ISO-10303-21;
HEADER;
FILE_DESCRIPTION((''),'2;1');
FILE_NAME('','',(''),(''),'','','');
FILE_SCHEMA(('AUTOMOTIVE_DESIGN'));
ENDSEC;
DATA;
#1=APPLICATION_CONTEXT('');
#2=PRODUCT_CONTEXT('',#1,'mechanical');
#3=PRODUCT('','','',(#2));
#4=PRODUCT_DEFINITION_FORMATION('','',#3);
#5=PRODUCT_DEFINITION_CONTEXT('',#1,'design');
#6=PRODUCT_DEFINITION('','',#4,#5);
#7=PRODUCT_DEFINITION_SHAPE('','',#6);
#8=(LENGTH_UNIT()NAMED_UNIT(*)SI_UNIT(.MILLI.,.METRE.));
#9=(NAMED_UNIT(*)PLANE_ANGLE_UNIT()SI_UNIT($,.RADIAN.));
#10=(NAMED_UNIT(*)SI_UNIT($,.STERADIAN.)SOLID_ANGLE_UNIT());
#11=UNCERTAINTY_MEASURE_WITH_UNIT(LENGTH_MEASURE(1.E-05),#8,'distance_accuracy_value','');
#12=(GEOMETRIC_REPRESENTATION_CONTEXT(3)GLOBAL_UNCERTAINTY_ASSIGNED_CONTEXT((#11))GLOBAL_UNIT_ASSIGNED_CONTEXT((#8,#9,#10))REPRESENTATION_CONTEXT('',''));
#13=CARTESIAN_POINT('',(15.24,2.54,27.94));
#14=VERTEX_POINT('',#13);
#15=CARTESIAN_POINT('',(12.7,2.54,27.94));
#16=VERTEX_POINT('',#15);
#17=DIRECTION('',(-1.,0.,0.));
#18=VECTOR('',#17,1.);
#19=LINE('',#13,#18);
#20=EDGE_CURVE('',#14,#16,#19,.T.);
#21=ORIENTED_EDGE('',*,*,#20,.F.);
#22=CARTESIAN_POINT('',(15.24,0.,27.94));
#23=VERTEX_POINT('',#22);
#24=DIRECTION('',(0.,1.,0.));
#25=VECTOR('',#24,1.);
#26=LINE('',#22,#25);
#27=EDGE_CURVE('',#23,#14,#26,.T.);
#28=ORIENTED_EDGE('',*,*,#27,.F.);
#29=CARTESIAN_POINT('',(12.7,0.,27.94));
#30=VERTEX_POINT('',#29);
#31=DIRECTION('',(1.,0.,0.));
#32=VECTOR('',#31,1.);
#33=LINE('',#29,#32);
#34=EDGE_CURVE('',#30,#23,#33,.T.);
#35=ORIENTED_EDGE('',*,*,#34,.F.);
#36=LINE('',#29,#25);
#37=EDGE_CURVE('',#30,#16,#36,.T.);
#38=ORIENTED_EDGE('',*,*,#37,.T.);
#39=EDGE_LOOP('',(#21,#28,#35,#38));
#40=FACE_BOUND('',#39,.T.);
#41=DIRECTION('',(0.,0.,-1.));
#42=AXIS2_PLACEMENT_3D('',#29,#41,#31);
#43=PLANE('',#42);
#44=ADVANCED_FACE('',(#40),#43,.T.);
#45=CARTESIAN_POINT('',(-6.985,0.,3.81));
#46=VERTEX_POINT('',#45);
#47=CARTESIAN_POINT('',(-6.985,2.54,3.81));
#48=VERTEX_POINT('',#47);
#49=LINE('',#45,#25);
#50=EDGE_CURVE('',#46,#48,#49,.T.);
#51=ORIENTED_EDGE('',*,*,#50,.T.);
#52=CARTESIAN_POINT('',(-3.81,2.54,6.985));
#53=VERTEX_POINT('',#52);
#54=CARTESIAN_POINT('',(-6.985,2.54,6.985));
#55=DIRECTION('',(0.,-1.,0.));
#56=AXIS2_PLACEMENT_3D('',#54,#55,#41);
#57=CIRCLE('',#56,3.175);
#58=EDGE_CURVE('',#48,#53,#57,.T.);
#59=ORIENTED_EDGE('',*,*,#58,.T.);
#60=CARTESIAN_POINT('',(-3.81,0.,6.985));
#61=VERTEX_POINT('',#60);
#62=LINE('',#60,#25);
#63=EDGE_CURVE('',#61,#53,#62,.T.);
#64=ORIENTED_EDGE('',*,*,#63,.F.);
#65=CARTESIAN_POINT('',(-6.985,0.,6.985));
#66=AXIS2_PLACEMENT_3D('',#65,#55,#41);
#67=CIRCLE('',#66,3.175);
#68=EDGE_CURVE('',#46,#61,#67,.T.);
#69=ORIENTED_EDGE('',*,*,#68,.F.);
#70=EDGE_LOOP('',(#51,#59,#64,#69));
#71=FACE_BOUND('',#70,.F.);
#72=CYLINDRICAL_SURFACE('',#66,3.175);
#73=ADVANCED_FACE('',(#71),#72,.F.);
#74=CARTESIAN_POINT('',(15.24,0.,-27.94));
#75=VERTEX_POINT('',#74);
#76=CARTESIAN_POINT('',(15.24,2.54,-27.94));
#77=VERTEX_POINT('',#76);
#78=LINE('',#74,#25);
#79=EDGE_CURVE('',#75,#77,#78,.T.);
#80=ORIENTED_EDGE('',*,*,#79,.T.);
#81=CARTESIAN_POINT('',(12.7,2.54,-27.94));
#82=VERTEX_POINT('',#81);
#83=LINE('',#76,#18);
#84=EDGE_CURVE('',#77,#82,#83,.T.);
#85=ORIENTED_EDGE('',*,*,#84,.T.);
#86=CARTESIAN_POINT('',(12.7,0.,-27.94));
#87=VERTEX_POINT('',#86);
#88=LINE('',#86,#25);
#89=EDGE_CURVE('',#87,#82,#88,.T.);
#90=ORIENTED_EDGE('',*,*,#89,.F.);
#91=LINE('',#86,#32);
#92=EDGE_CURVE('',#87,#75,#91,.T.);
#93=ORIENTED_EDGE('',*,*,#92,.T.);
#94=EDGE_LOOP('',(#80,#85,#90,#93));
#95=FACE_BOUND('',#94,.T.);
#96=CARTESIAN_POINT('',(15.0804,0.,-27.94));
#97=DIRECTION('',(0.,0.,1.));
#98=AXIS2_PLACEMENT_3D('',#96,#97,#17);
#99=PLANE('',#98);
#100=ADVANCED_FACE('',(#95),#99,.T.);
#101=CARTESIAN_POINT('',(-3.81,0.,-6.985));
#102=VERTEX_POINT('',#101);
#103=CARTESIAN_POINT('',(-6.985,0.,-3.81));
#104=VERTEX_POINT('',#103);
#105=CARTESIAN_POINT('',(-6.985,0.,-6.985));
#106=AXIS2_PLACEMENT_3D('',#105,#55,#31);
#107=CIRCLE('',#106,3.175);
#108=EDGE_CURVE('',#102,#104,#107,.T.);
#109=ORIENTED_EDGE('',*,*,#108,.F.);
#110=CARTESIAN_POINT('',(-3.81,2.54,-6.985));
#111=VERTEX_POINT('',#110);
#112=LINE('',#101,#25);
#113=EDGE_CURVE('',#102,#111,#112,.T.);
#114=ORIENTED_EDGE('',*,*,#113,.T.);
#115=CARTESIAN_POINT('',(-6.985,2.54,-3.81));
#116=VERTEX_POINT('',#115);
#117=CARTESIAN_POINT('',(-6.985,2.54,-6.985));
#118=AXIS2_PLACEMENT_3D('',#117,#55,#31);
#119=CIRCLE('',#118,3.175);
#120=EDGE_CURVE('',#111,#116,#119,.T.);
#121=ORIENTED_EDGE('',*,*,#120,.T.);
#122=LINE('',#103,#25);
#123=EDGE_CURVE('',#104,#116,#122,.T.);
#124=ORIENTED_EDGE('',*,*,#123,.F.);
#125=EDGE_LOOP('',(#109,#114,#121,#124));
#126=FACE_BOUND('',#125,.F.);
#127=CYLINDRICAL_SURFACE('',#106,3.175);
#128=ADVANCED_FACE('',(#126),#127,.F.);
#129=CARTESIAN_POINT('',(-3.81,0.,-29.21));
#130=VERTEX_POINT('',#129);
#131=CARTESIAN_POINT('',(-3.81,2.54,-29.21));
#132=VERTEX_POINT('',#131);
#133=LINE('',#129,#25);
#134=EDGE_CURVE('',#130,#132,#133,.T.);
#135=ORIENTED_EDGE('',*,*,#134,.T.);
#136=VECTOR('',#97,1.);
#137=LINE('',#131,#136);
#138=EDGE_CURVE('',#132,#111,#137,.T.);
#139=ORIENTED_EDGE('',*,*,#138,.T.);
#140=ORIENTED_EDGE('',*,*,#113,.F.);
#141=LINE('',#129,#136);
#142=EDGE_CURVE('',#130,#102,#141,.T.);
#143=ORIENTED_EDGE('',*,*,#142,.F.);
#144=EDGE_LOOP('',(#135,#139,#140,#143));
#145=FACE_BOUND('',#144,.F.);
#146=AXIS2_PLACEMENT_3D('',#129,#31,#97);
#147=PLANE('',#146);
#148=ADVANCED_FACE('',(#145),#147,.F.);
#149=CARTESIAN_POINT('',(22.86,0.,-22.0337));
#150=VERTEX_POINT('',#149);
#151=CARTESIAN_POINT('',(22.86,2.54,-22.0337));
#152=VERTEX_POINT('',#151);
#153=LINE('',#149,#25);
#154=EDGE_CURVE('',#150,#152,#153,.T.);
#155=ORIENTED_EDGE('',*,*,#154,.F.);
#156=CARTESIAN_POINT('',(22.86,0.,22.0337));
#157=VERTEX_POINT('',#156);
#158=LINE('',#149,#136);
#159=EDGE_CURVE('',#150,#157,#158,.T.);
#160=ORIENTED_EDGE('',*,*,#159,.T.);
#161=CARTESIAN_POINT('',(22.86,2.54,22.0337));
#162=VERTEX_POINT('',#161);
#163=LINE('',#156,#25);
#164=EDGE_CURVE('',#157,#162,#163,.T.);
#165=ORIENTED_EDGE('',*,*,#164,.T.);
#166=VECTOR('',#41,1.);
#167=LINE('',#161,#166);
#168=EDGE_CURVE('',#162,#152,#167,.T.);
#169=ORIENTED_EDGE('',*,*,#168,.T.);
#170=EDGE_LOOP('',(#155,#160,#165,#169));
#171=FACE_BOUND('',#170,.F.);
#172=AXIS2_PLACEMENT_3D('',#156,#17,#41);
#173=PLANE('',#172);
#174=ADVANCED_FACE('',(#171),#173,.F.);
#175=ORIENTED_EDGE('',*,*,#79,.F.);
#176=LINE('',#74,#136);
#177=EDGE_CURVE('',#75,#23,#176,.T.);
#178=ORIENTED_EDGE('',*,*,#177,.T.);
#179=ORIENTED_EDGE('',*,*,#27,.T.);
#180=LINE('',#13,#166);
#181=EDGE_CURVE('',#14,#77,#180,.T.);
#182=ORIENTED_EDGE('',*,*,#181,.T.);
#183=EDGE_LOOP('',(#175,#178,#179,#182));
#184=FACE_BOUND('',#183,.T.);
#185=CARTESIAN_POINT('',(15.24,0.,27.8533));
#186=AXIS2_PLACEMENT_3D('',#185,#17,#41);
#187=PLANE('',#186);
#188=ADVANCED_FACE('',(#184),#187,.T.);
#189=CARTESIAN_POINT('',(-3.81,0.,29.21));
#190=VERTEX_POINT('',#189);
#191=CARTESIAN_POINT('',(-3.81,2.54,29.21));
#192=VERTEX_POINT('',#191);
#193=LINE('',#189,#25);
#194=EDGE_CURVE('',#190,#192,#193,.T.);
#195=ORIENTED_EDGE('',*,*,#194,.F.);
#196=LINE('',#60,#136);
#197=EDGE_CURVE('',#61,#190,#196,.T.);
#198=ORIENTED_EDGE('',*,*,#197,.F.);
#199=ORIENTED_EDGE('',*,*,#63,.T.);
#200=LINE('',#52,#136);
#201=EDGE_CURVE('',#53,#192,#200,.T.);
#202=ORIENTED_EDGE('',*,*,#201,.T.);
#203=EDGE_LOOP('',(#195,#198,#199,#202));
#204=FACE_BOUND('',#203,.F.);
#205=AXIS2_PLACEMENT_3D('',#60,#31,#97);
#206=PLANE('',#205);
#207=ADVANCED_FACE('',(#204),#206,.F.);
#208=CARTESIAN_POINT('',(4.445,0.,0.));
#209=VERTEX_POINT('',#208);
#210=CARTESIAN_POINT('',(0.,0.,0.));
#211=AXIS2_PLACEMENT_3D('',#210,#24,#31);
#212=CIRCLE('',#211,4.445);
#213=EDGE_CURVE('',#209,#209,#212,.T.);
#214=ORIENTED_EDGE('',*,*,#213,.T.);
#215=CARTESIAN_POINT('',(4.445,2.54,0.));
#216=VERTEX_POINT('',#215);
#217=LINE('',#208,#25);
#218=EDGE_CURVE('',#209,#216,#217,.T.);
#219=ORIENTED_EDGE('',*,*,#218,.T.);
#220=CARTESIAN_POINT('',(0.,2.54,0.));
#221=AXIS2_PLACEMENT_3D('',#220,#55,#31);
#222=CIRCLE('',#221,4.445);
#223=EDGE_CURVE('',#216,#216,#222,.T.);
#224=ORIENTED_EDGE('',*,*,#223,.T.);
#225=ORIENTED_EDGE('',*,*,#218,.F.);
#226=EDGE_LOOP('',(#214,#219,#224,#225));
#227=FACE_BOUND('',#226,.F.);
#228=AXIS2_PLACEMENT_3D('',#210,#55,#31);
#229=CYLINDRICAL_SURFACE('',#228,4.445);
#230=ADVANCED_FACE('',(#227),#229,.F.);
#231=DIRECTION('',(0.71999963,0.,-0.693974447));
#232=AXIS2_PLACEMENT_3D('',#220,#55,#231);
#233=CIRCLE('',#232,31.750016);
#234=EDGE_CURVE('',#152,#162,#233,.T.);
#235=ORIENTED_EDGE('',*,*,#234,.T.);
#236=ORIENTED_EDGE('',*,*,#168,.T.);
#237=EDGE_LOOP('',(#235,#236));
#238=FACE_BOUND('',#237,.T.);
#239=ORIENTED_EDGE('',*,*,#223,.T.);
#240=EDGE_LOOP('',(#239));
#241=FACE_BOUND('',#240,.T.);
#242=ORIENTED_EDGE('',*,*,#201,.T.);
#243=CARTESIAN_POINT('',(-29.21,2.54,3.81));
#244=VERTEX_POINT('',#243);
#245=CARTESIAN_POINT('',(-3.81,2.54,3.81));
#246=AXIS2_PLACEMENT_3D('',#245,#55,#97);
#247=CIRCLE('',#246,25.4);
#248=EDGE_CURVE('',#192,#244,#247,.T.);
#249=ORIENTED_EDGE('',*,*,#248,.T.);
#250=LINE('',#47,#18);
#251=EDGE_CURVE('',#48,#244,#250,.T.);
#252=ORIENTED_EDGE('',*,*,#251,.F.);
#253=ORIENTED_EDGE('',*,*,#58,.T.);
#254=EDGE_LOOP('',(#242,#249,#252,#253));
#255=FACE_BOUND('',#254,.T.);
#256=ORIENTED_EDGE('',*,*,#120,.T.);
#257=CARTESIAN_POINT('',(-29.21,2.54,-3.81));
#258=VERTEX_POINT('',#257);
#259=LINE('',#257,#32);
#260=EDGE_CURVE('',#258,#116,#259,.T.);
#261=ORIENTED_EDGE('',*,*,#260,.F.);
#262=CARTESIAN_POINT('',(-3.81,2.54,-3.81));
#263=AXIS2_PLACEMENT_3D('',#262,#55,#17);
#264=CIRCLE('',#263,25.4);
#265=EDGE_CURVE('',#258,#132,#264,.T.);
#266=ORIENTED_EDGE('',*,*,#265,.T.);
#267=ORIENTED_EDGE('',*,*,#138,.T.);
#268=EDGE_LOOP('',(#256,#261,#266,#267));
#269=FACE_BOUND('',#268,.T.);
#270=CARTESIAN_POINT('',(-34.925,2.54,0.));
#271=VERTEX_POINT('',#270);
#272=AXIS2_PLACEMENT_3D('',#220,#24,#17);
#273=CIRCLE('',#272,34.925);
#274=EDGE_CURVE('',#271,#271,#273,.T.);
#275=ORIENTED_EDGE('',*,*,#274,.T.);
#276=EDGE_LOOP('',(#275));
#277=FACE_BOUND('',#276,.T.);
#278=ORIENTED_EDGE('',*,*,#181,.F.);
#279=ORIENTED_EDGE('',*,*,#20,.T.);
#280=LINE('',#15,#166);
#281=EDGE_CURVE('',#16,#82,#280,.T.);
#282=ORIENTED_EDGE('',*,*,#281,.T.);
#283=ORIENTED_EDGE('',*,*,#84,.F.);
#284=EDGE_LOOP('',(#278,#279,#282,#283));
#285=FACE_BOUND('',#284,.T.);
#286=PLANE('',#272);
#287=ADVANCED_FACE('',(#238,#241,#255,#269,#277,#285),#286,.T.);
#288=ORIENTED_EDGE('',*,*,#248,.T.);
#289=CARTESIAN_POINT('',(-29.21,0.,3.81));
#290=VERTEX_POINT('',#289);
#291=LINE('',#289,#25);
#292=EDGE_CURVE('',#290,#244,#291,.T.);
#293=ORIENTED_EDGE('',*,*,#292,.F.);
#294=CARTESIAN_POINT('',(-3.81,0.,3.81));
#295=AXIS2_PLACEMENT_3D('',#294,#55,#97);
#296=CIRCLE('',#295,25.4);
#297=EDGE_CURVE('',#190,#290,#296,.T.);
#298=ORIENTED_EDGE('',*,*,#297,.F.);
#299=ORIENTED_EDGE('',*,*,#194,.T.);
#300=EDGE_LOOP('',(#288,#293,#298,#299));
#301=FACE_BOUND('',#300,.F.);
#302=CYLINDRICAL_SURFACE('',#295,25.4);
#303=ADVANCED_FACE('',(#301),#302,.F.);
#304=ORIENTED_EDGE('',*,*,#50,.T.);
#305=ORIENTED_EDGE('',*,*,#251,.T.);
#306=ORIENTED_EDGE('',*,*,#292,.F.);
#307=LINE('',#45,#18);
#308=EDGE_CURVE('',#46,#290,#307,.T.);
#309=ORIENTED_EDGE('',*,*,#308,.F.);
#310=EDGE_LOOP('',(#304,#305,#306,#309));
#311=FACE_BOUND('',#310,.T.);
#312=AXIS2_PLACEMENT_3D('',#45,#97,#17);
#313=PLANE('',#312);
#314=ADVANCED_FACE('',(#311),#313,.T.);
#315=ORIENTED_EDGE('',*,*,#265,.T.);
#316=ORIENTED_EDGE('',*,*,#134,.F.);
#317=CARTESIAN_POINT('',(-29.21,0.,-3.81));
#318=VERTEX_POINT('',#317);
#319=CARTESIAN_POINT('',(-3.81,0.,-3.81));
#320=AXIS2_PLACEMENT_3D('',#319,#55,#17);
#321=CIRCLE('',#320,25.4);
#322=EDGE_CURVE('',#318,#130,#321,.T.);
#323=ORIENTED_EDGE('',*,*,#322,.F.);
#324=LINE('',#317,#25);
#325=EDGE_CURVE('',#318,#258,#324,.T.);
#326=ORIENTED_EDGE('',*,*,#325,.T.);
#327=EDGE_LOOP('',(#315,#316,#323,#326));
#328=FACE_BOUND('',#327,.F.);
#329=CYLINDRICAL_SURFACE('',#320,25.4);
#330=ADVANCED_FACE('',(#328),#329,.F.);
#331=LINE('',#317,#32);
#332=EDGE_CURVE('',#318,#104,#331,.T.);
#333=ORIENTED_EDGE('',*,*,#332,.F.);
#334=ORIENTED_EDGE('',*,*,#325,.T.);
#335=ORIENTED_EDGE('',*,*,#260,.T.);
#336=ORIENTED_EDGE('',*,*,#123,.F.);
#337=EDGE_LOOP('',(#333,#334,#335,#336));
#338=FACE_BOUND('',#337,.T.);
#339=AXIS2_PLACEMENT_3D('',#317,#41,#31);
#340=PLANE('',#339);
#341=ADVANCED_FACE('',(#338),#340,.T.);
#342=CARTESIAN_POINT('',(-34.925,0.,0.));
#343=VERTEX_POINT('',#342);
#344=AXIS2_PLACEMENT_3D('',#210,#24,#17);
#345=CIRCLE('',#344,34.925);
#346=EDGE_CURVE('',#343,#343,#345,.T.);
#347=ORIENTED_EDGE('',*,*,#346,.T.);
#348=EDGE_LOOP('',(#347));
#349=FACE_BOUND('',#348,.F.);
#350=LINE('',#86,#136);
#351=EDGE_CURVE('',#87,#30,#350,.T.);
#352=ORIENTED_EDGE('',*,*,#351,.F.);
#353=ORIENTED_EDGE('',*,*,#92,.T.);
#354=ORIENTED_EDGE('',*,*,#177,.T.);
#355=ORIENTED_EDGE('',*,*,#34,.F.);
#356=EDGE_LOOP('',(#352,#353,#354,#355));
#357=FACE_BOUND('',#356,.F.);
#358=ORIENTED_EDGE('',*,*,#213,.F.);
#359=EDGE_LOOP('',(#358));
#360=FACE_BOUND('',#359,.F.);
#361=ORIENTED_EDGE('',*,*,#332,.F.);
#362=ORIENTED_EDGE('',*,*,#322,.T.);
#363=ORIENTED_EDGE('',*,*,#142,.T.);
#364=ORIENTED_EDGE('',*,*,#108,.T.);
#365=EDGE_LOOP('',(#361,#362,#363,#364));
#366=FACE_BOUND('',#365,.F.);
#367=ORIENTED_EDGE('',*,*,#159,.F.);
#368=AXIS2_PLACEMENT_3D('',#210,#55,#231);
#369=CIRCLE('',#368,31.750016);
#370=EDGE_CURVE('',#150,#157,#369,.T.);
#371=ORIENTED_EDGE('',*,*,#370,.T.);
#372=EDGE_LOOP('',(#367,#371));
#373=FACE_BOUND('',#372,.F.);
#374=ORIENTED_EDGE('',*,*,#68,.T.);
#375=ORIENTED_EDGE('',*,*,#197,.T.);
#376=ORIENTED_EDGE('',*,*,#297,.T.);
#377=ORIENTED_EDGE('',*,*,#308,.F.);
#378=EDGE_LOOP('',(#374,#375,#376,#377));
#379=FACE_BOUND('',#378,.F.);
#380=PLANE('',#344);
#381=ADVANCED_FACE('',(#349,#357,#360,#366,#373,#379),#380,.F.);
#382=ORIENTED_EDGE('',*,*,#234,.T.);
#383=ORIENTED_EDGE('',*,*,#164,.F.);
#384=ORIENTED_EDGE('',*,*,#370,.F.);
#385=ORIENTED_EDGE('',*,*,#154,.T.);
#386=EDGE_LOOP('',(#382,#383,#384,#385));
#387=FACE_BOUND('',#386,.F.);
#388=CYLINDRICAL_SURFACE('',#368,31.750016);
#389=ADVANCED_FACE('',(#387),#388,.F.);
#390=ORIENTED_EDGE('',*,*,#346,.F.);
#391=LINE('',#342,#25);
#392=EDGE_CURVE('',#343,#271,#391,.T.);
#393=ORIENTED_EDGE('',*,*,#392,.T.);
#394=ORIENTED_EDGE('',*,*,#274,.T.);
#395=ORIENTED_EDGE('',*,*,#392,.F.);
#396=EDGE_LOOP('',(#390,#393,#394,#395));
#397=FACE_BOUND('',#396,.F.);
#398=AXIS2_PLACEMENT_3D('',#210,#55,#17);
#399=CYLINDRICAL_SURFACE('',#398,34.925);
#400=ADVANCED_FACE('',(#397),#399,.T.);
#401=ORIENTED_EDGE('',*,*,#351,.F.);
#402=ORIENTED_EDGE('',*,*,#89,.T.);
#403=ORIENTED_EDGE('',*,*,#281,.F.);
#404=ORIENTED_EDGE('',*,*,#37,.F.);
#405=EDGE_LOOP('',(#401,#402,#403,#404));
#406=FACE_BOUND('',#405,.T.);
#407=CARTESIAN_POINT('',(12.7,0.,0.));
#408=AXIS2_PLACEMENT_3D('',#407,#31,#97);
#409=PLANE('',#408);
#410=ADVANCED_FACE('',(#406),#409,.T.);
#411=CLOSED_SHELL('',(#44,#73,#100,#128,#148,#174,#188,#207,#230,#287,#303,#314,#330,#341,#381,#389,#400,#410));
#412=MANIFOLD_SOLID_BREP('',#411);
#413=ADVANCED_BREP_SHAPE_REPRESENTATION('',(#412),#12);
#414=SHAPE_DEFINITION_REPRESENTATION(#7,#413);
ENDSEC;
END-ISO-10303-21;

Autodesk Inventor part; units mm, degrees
ref_plane "YZ Plane" through (0, 0, 0) normal (1, 0, 0) x (0, 1, 0)
ref_plane "XZ Plane" through (0, 0, 0) normal (0, 1, 0) x (-1, 0, 0)
ref_plane "XY Plane" through (0, 0, 0) normal (0, 0, 1) x (1, 0, 0)
sketch "Sketch1" plane through (0, 0, 0) normal (0, 1, 0) x (-1, 0, 0)
  circle A0 centre (0, 0) radius 34.925
  dimension "d0" = 69.85
extrude "Extrusion1" add sketch "Sketch1" along normal blind 2.54
sketch "Sketch2" plane through (0, 0, 0) normal (0, -1, 0) x (1, 0, 0)
  line L0 (0, 0) -> (15.24, 0)
  line L1 (15.24, 0) -> (15.24, -27.94)
  line L2 (15.24, -27.94) -> (12.7, -27.94)
  line L3 (12.7, -27.94) -> (12.7, 27.94)
  line L4 (12.7, 27.94) -> (15.24, 27.94)
  line L5 (15.24, 27.94) -> (15.24, -27.94)
  line L6 (0, 0) -> (0, -3.81)
  line L7 (0, -3.81) -> (-3.81, -3.81)
  arc A0 (-3.81, -6.985) -> (-6.985, -3.81) centre (-6.985, -6.985) ccw
  arc A1 (-29.21, -3.81) -> (-3.81, -29.21) centre (-3.81, -3.81) ccw
  line L8 (-3.81, -3.81) -> (-3.81, -29.21) construction
  line L9 (-3.81, -3.81) -> (-29.21, -3.81) construction
  line L10 (-3.81, -29.21) -> (-3.81, -6.985)
  line L11 (-29.21, -3.81) -> (-6.985, -3.81)
  circle A2 centre (0, 0) radius 34.925 projected
  line L12 (-34.925, 0) -> (0, 0)
  arc A3 (-6.985, 3.81) -> (-3.81, 6.985) centre (-6.985, 6.985) ccw
  arc A4 (-3.81, 29.21) -> (-29.21, 3.81) centre (-3.81, 3.81) ccw
  line L13 (-3.81, 3.81) -> (-3.81, 29.21) construction
  line L14 (-3.81, 3.81) -> (-29.21, 3.81) construction
  line L15 (-6.985, 3.81) -> (-29.21, 3.81)
  line L16 (-3.81, 6.985) -> (-3.81, 29.21)
  line L17 (15.24, 0) -> (22.86, 0)
  line L18 (22.86, 0) -> (22.86, -22.0337)
  line L19 (22.86, 22.0337) -> (22.86, 0)
  arc A5 (15.0804, -27.94) -> (15.24, -27.8533) centre (0, 0) ccw
  arc A6 (22.86, -22.0337) -> (22.86, 22.0337) centre (0, 0) ccw
  arc A7 (15.24, 27.8533) -> (15.0804, 27.94) centre (0, 0) ccw
  circle A8 centre (0, 0) radius 4.445
  dimension "d3" = 15.24
  dimension "d4" = 27.94
  dimension "d5" = 2.54
  dimension "d6" = 55.88
  dimension "d7" = 3.81
  dimension "d8" = 3.81
  dimension "d9" = 25.4
  dimension "d11" = 3.175
  dimension "d13" = 25.4
  dimension "d14" = 90
  dimension "d19" = 7.62
  dimension "d20" = 8.89
extrude "Extrusion2" cut sketch "Sketch2" against normal blind 2.54 contours L12 A8 L0 | L0 A8 L7 L6 | L6 L7 A8 L12 | L19 A6 L18 | L3 L4 A7 L5 L0 | L0 L1 A5 L2 L3 | L1 L2 A5 | A7 L4 L5 | L10 A1 L11 A0 | L15 A4 L16 A3
properties part number "fixpart"
